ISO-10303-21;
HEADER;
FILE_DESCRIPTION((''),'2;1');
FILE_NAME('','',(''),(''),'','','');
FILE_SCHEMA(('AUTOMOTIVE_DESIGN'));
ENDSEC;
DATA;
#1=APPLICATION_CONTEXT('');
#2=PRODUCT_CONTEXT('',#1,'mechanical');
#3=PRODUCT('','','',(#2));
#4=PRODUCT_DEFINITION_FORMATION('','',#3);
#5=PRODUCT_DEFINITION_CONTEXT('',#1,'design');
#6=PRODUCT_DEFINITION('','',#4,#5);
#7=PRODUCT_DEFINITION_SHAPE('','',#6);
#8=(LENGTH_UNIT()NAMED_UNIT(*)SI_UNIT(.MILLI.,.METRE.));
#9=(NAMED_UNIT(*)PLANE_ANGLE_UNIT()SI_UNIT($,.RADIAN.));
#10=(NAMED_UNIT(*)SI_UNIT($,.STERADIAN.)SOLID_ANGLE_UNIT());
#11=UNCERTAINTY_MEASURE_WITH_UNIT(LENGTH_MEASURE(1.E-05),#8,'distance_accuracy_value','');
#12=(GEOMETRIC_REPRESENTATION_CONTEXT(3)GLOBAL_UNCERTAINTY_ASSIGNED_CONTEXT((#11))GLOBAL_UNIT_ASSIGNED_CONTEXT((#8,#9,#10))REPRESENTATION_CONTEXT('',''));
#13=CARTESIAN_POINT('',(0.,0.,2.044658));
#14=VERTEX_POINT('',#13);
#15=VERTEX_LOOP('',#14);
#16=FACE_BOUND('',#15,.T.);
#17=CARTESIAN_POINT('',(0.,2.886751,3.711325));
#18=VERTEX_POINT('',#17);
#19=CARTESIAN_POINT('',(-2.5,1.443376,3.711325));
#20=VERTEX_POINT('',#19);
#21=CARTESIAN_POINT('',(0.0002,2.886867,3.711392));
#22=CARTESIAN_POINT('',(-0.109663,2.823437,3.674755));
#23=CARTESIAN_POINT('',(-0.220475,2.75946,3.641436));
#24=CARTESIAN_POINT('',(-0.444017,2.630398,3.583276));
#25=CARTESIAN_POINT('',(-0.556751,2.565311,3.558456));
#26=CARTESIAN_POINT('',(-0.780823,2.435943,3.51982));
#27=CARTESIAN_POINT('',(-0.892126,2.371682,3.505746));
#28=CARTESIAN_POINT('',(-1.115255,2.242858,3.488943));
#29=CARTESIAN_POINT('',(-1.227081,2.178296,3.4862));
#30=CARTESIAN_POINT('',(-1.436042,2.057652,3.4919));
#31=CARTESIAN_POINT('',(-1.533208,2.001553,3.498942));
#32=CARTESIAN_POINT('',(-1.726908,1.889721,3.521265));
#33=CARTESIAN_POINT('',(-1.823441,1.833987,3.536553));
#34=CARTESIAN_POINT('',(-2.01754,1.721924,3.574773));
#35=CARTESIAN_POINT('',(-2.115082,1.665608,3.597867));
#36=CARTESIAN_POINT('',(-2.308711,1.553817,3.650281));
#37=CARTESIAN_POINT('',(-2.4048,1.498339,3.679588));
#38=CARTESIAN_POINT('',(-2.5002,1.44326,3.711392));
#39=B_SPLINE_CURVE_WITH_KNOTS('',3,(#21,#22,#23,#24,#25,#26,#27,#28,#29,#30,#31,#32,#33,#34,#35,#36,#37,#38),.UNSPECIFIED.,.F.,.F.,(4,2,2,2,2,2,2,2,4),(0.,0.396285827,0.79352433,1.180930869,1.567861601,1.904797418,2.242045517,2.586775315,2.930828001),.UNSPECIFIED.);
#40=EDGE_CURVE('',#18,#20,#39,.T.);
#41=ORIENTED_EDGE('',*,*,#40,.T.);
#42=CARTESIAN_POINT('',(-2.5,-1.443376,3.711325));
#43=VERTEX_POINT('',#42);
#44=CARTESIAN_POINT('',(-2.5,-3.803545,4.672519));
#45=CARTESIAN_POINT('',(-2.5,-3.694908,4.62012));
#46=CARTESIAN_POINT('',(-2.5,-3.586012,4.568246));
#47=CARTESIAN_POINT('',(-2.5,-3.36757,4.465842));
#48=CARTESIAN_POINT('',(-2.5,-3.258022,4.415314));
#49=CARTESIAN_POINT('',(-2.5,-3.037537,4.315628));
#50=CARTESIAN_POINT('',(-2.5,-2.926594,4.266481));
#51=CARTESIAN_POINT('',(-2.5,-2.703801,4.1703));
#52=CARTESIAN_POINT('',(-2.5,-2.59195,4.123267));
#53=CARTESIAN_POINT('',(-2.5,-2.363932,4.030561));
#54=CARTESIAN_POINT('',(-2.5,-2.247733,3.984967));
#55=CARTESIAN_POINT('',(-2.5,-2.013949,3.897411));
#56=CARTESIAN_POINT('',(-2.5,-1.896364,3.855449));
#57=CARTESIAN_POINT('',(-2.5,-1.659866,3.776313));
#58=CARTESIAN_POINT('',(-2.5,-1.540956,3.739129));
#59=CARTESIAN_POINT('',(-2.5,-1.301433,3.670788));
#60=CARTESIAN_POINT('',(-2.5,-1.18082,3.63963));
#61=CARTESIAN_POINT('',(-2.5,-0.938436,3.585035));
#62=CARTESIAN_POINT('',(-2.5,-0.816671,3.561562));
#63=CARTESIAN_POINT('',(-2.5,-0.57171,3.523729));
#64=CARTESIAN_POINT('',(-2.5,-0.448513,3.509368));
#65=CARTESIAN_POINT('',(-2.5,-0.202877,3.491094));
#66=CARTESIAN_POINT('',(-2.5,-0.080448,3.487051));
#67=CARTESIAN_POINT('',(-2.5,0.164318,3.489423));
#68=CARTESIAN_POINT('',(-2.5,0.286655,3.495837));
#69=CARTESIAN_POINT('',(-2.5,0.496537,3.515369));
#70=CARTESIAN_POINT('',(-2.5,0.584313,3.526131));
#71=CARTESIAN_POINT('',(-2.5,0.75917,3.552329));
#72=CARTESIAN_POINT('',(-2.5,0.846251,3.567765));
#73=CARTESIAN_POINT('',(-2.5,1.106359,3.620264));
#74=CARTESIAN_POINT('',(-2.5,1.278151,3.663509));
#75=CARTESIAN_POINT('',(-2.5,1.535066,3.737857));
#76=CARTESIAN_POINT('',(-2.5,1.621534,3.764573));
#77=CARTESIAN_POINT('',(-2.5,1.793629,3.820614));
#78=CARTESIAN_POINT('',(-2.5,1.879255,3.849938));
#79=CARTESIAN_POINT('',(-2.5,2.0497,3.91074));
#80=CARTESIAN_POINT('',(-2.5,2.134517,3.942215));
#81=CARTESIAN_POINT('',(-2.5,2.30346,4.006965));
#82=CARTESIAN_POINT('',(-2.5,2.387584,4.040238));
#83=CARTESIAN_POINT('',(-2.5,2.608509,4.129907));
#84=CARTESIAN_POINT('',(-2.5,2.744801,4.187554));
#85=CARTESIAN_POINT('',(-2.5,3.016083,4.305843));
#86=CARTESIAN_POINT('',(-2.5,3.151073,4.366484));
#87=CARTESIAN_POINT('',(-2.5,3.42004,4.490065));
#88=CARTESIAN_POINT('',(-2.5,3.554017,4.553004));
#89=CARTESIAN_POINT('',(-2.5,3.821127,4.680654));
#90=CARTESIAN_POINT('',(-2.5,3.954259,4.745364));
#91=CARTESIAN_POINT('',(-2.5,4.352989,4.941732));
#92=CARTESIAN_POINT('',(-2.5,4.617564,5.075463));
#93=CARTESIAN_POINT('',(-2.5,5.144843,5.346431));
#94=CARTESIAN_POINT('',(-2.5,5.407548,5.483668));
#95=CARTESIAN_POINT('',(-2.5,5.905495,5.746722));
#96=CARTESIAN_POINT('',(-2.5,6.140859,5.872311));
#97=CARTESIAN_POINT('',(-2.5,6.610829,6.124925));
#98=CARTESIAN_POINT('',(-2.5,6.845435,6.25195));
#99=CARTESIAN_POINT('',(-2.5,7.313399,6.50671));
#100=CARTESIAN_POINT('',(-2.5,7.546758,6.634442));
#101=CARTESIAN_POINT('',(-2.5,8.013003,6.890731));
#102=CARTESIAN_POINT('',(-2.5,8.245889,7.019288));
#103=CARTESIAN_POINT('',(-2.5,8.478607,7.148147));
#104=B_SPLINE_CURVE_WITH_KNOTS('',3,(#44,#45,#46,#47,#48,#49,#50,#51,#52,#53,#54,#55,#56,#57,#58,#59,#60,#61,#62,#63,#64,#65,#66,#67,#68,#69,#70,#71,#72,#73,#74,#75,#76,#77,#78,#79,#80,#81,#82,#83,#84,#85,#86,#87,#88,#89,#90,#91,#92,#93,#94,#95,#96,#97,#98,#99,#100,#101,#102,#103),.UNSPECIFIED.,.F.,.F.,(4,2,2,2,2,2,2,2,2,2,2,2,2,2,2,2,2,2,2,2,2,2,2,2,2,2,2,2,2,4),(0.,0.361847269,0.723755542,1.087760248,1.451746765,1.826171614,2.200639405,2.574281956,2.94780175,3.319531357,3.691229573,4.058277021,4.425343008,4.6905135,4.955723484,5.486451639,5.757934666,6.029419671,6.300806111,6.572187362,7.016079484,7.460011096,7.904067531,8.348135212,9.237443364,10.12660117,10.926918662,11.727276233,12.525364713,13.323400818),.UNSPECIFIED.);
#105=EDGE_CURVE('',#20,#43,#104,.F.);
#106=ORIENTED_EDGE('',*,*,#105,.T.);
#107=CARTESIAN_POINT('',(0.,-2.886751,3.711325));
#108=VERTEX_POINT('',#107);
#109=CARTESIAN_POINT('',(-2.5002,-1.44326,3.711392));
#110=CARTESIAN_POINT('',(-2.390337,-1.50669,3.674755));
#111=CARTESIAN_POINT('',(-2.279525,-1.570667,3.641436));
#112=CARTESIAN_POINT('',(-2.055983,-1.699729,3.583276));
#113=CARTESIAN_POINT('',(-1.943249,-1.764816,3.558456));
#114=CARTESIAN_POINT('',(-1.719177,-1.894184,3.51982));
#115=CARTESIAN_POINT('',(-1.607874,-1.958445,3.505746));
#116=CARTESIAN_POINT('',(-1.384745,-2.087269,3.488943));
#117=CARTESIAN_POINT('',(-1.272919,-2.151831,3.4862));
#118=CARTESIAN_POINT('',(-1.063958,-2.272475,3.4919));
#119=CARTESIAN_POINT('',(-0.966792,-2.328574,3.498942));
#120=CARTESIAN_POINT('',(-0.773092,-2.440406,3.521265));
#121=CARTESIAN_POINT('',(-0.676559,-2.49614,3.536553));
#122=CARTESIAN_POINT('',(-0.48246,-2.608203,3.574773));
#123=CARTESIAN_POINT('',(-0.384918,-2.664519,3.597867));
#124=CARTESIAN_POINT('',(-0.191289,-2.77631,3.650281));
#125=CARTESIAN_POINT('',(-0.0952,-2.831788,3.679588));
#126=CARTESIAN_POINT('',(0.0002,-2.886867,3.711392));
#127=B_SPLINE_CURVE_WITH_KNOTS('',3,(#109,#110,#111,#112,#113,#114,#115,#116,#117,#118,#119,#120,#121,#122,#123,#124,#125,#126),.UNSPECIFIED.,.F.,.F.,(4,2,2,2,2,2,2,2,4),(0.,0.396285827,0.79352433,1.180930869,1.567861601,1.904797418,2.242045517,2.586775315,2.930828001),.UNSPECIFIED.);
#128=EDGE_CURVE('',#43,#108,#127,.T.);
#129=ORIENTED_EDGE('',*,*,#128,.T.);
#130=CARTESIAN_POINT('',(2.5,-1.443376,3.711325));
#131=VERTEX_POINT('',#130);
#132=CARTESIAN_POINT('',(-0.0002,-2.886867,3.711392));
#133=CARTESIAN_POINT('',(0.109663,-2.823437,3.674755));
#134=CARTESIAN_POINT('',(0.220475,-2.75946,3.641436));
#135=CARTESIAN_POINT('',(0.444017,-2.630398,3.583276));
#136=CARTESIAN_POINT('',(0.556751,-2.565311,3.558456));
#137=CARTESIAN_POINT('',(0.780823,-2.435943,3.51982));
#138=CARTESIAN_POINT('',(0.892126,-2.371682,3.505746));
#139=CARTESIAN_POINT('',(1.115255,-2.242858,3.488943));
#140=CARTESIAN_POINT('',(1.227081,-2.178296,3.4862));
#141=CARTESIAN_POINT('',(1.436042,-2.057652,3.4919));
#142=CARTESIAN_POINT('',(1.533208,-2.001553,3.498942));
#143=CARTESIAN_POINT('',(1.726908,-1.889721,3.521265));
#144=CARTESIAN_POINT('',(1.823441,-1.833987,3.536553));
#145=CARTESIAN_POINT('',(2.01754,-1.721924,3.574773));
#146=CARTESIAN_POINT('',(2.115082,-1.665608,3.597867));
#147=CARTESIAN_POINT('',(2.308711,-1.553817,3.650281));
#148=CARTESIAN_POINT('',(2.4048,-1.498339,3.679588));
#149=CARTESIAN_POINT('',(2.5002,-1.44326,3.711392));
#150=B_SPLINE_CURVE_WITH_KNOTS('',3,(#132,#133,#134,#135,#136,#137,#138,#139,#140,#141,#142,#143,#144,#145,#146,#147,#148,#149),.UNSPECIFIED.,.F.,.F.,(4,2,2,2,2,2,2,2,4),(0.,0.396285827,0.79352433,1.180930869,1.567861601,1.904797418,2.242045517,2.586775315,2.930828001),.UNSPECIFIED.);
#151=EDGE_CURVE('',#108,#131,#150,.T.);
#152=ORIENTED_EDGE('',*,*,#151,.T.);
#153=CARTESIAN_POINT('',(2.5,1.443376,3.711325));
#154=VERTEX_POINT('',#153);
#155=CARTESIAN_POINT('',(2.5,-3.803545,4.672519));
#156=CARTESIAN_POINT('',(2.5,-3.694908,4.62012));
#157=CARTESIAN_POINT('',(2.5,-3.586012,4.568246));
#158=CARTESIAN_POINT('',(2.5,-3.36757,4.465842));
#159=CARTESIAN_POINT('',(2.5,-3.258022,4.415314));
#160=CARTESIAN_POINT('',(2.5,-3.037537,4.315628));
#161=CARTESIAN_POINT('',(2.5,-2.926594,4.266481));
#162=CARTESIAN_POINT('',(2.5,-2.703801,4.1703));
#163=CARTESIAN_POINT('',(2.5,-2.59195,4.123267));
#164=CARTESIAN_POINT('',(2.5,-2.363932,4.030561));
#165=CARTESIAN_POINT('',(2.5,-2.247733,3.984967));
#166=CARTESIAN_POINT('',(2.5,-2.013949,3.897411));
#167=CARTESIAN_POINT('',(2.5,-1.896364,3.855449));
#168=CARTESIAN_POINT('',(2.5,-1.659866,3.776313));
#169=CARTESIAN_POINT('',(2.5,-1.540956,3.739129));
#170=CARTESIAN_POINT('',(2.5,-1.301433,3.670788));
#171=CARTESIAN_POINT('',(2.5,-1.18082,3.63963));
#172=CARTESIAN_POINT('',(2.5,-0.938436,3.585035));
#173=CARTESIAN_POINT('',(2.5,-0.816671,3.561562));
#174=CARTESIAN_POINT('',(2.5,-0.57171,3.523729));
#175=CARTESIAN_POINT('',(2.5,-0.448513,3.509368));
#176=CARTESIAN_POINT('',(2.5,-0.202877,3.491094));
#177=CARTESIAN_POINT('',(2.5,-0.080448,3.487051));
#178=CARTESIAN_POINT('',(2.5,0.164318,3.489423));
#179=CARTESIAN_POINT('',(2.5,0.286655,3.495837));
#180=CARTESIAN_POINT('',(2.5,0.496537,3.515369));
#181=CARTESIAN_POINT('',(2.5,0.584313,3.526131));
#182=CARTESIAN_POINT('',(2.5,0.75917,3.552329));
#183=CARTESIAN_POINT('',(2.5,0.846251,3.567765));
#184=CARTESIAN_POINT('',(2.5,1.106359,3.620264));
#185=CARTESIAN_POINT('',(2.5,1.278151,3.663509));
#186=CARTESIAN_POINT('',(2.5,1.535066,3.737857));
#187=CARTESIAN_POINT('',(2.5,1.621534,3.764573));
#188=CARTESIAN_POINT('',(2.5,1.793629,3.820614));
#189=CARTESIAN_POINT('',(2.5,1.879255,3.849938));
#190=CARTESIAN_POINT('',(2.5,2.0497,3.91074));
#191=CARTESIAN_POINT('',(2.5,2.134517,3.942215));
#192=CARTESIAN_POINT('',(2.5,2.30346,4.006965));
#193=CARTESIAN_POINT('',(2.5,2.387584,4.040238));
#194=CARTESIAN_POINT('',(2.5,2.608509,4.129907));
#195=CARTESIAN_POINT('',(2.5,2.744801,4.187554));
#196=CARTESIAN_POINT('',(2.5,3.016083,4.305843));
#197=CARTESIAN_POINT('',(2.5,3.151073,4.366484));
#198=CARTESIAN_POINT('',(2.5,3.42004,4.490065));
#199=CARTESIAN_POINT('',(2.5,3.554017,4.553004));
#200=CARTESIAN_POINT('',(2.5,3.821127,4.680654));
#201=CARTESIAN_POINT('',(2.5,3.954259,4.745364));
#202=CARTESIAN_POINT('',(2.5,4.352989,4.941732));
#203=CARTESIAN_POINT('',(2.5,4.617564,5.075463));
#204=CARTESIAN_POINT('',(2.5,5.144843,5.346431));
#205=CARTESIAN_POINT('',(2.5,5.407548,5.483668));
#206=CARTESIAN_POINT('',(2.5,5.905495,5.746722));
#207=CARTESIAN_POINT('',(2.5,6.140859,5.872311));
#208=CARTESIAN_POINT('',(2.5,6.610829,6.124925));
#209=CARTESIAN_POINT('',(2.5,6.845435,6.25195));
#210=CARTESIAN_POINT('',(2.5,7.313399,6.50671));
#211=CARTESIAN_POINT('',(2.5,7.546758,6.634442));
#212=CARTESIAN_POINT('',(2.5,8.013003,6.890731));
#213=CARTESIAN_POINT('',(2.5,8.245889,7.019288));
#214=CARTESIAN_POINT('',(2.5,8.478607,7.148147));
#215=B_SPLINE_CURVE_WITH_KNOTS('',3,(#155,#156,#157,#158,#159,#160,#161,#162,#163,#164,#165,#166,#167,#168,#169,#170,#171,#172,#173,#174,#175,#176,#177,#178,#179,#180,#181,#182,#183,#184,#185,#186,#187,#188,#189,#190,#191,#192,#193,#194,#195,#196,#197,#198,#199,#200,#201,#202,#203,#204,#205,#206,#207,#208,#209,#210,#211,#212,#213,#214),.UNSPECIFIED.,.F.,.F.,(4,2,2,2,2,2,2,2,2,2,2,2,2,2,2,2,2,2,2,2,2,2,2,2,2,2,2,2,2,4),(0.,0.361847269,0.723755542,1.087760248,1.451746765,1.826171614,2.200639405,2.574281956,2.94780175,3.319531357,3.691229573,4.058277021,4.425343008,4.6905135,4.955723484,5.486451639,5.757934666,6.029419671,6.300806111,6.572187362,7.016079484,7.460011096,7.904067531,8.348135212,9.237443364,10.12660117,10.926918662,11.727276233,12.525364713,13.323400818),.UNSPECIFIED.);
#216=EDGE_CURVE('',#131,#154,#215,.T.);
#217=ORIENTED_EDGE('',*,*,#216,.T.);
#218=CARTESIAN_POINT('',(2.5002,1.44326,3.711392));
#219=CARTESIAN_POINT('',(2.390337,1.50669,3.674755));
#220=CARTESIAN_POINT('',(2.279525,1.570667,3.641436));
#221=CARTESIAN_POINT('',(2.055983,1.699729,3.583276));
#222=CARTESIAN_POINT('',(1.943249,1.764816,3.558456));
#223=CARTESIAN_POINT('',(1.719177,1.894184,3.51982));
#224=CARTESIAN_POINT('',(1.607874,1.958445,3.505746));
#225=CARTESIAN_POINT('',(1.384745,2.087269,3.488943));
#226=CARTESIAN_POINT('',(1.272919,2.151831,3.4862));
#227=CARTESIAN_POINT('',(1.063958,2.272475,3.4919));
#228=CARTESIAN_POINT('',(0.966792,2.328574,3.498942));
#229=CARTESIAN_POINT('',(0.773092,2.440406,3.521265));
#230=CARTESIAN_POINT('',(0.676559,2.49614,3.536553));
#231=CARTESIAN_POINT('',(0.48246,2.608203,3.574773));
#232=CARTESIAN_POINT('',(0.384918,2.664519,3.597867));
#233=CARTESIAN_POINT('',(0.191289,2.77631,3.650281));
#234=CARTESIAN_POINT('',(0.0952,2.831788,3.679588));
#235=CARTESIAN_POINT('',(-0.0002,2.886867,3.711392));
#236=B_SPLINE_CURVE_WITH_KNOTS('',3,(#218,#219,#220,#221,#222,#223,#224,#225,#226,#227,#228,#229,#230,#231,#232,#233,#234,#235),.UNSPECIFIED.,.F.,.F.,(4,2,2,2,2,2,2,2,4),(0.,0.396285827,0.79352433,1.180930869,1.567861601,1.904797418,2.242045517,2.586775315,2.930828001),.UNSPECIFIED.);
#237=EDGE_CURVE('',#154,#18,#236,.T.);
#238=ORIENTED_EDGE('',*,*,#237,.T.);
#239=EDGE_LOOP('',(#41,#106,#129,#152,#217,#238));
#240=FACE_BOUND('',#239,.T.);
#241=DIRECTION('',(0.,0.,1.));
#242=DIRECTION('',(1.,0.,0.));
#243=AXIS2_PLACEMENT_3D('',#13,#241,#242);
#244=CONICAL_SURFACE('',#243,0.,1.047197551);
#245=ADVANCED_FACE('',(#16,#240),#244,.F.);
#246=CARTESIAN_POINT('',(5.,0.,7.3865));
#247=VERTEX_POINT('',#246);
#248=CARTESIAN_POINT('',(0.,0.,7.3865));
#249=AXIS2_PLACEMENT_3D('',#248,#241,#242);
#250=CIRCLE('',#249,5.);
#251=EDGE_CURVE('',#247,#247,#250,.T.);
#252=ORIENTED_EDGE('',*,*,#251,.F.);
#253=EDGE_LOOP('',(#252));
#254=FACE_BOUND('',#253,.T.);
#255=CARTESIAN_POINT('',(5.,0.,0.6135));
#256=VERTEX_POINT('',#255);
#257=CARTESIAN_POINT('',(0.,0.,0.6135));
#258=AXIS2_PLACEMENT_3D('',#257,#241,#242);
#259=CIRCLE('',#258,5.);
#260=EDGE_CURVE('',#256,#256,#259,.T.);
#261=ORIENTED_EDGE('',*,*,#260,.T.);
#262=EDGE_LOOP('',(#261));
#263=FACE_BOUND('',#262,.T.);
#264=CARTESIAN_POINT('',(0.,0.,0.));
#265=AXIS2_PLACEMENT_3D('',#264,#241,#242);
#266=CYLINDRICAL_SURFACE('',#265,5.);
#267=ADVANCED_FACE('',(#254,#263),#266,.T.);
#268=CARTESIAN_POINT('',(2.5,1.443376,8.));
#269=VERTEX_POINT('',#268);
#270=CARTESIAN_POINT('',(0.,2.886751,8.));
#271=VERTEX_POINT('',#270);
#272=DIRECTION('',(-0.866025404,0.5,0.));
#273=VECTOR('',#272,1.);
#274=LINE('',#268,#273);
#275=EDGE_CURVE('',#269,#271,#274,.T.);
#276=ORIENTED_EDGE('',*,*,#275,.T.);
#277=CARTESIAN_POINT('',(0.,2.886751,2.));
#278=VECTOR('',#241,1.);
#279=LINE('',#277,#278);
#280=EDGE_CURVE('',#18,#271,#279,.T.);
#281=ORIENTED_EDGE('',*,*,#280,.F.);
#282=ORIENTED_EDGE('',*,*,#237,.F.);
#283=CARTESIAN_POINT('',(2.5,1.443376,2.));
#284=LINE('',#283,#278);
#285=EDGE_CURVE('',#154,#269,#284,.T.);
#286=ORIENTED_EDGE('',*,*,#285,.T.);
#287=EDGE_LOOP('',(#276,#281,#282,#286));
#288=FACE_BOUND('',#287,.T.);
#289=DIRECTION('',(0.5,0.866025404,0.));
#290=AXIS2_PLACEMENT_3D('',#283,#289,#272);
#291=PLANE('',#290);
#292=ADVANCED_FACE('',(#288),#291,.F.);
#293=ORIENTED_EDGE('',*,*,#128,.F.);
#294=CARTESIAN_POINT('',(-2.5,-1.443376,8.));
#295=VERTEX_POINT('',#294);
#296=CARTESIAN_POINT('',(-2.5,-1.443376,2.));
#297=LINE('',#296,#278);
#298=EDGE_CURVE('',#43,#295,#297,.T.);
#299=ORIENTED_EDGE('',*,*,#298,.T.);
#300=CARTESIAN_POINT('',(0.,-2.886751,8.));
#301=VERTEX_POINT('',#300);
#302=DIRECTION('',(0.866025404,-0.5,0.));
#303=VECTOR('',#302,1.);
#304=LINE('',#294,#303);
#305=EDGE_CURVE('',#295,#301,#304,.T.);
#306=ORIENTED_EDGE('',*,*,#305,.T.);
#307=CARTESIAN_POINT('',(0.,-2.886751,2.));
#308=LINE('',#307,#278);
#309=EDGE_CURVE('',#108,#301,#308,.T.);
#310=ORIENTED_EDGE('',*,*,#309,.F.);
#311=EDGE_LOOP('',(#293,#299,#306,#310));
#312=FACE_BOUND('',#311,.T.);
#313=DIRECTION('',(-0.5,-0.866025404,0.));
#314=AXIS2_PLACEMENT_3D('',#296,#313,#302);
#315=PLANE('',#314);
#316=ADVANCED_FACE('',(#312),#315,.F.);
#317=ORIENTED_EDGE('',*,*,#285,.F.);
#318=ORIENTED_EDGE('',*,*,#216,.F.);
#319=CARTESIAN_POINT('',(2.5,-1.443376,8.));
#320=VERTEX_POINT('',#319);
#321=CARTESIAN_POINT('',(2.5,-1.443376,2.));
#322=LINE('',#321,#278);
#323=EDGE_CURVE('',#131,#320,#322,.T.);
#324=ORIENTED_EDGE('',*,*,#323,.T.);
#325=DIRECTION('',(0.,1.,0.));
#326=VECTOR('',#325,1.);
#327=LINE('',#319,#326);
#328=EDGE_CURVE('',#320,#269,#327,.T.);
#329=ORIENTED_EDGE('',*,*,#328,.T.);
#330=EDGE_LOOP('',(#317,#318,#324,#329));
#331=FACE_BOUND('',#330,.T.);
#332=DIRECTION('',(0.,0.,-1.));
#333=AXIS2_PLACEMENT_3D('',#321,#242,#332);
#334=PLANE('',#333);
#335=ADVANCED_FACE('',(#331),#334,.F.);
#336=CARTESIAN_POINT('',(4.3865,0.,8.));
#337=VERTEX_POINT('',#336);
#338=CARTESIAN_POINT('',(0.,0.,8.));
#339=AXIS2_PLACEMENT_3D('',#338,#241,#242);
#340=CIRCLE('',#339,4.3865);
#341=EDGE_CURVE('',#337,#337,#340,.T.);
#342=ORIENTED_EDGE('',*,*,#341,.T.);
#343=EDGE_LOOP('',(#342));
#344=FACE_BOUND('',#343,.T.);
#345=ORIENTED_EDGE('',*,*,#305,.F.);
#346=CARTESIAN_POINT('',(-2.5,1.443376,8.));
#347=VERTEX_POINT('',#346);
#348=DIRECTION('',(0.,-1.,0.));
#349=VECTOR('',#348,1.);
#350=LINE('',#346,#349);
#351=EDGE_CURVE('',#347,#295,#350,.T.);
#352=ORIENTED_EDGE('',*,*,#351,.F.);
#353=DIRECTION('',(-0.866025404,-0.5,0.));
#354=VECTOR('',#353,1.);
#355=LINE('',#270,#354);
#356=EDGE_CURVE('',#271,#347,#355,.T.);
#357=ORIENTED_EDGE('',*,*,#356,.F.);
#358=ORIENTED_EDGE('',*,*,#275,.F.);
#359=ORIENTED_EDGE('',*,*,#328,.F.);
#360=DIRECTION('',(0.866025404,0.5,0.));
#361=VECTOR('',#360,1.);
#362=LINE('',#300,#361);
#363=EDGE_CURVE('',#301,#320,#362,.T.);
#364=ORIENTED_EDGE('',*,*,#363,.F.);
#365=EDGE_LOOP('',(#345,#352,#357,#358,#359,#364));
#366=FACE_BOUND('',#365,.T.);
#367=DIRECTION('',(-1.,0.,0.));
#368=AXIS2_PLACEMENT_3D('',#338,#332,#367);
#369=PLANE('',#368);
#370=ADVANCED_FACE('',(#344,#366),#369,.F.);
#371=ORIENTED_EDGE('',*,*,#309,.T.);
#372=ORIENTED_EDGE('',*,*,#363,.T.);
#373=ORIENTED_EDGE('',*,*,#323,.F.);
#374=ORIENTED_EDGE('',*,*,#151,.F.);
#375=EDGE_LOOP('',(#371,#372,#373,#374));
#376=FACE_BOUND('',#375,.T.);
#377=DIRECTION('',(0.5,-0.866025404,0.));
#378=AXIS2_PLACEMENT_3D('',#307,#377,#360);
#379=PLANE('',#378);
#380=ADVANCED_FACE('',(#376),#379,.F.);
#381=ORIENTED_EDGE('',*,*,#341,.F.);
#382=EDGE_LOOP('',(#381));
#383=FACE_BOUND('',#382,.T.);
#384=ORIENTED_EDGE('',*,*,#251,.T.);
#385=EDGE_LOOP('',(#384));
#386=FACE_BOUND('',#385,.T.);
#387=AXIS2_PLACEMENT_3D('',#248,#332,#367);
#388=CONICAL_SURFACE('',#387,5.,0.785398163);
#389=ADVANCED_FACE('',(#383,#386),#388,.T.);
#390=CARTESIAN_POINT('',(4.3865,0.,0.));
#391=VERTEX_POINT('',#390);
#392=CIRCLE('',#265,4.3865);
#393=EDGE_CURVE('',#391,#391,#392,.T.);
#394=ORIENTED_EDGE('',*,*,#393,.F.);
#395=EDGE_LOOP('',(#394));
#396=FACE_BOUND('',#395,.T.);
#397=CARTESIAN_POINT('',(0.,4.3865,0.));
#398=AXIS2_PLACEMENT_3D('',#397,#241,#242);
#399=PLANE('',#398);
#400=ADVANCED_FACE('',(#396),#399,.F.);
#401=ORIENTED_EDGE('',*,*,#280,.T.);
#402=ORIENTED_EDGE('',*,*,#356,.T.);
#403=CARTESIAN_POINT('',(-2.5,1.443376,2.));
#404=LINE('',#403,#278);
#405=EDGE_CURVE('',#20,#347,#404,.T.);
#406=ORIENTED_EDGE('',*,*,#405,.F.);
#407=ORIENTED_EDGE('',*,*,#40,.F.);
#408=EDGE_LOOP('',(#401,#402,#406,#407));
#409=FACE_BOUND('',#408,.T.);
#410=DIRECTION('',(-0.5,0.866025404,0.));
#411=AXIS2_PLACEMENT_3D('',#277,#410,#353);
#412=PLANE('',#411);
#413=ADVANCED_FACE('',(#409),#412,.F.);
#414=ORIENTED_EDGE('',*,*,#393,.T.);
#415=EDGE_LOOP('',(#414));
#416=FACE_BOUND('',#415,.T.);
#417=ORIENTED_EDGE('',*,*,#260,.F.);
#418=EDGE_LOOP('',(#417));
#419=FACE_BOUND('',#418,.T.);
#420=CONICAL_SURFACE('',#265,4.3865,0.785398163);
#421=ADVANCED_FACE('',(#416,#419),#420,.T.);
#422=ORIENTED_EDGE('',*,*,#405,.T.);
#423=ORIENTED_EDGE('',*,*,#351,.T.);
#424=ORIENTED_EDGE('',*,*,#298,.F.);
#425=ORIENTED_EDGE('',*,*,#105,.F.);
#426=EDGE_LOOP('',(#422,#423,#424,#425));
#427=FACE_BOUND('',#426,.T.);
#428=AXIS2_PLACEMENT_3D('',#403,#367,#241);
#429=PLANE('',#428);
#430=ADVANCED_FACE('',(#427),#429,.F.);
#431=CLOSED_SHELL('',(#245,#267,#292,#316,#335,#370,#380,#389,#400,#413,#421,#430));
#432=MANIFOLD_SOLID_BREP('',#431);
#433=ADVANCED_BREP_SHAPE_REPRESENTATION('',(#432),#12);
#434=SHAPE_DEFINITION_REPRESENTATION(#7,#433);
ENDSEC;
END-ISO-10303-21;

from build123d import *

# Parameters (mm, degrees)
SZKIC3_R                    = 3.586751346
DODANIE_WYCI_GNI_CIE1_DEPTH = 6


with BuildPart() as part:
    # Szkic1 → Obrót1 (revolve)
    with BuildSketch(Plane(origin=(0, 0, 0), x_dir=(0, 0, -1), z_dir=(1, 0, 0)), mode=Mode.PRIVATE) as obr_t1_sk:
        Polygon((-8, 0), (-8, 4.3865), (-7.3865, 5), (-0.6135, 5), (0, 4.3865), (0, 0), align=None)
    revolve(obr_t1_sk.sketch.rotate(Axis((0, 0, 0), (0, 0, 1)), 270), axis=Axis((0, 0, 0), (0, 0, 1)))

    # Szkic2 → Wycięcie-obrót1 (revolve, cut)
    with BuildSketch(Plane(origin=(0, 0, 0), x_dir=(0, 0, -1), z_dir=(1, 0, 0)), mode=Mode.PRIVATE) as wyci_cie_obr_t1_sk:
        Polygon((-8, 0), (-8, 3.386751346), (-4, 3.386751346), (-2.044658199, 0), align=None)
    revolve(wyci_cie_obr_t1_sk.sketch.rotate(Axis((0, 0, 2.044658199), (0, 0, 1)), 270), axis=Axis((0, 0, 2.044658199), (0, 0, 1)), mode=Mode.SUBTRACT)

    # Szkic3 → Dodanie-wyciągnięcie1 (add)
    with BuildSketch(Plane.XY.offset(8)):
        Circle(SZKIC3_R)
        Polygon((-2.5, 1.443375673), (-2.5, -1.443375673), (0, -2.886751346), (2.5, -1.443375673), (2.5, 1.443375673), (0, 2.886751346), align=None, mode=Mode.SUBTRACT)
    extrude(amount=-DODANIE_WYCI_GNI_CIE1_DEPTH)


solid = part.part
